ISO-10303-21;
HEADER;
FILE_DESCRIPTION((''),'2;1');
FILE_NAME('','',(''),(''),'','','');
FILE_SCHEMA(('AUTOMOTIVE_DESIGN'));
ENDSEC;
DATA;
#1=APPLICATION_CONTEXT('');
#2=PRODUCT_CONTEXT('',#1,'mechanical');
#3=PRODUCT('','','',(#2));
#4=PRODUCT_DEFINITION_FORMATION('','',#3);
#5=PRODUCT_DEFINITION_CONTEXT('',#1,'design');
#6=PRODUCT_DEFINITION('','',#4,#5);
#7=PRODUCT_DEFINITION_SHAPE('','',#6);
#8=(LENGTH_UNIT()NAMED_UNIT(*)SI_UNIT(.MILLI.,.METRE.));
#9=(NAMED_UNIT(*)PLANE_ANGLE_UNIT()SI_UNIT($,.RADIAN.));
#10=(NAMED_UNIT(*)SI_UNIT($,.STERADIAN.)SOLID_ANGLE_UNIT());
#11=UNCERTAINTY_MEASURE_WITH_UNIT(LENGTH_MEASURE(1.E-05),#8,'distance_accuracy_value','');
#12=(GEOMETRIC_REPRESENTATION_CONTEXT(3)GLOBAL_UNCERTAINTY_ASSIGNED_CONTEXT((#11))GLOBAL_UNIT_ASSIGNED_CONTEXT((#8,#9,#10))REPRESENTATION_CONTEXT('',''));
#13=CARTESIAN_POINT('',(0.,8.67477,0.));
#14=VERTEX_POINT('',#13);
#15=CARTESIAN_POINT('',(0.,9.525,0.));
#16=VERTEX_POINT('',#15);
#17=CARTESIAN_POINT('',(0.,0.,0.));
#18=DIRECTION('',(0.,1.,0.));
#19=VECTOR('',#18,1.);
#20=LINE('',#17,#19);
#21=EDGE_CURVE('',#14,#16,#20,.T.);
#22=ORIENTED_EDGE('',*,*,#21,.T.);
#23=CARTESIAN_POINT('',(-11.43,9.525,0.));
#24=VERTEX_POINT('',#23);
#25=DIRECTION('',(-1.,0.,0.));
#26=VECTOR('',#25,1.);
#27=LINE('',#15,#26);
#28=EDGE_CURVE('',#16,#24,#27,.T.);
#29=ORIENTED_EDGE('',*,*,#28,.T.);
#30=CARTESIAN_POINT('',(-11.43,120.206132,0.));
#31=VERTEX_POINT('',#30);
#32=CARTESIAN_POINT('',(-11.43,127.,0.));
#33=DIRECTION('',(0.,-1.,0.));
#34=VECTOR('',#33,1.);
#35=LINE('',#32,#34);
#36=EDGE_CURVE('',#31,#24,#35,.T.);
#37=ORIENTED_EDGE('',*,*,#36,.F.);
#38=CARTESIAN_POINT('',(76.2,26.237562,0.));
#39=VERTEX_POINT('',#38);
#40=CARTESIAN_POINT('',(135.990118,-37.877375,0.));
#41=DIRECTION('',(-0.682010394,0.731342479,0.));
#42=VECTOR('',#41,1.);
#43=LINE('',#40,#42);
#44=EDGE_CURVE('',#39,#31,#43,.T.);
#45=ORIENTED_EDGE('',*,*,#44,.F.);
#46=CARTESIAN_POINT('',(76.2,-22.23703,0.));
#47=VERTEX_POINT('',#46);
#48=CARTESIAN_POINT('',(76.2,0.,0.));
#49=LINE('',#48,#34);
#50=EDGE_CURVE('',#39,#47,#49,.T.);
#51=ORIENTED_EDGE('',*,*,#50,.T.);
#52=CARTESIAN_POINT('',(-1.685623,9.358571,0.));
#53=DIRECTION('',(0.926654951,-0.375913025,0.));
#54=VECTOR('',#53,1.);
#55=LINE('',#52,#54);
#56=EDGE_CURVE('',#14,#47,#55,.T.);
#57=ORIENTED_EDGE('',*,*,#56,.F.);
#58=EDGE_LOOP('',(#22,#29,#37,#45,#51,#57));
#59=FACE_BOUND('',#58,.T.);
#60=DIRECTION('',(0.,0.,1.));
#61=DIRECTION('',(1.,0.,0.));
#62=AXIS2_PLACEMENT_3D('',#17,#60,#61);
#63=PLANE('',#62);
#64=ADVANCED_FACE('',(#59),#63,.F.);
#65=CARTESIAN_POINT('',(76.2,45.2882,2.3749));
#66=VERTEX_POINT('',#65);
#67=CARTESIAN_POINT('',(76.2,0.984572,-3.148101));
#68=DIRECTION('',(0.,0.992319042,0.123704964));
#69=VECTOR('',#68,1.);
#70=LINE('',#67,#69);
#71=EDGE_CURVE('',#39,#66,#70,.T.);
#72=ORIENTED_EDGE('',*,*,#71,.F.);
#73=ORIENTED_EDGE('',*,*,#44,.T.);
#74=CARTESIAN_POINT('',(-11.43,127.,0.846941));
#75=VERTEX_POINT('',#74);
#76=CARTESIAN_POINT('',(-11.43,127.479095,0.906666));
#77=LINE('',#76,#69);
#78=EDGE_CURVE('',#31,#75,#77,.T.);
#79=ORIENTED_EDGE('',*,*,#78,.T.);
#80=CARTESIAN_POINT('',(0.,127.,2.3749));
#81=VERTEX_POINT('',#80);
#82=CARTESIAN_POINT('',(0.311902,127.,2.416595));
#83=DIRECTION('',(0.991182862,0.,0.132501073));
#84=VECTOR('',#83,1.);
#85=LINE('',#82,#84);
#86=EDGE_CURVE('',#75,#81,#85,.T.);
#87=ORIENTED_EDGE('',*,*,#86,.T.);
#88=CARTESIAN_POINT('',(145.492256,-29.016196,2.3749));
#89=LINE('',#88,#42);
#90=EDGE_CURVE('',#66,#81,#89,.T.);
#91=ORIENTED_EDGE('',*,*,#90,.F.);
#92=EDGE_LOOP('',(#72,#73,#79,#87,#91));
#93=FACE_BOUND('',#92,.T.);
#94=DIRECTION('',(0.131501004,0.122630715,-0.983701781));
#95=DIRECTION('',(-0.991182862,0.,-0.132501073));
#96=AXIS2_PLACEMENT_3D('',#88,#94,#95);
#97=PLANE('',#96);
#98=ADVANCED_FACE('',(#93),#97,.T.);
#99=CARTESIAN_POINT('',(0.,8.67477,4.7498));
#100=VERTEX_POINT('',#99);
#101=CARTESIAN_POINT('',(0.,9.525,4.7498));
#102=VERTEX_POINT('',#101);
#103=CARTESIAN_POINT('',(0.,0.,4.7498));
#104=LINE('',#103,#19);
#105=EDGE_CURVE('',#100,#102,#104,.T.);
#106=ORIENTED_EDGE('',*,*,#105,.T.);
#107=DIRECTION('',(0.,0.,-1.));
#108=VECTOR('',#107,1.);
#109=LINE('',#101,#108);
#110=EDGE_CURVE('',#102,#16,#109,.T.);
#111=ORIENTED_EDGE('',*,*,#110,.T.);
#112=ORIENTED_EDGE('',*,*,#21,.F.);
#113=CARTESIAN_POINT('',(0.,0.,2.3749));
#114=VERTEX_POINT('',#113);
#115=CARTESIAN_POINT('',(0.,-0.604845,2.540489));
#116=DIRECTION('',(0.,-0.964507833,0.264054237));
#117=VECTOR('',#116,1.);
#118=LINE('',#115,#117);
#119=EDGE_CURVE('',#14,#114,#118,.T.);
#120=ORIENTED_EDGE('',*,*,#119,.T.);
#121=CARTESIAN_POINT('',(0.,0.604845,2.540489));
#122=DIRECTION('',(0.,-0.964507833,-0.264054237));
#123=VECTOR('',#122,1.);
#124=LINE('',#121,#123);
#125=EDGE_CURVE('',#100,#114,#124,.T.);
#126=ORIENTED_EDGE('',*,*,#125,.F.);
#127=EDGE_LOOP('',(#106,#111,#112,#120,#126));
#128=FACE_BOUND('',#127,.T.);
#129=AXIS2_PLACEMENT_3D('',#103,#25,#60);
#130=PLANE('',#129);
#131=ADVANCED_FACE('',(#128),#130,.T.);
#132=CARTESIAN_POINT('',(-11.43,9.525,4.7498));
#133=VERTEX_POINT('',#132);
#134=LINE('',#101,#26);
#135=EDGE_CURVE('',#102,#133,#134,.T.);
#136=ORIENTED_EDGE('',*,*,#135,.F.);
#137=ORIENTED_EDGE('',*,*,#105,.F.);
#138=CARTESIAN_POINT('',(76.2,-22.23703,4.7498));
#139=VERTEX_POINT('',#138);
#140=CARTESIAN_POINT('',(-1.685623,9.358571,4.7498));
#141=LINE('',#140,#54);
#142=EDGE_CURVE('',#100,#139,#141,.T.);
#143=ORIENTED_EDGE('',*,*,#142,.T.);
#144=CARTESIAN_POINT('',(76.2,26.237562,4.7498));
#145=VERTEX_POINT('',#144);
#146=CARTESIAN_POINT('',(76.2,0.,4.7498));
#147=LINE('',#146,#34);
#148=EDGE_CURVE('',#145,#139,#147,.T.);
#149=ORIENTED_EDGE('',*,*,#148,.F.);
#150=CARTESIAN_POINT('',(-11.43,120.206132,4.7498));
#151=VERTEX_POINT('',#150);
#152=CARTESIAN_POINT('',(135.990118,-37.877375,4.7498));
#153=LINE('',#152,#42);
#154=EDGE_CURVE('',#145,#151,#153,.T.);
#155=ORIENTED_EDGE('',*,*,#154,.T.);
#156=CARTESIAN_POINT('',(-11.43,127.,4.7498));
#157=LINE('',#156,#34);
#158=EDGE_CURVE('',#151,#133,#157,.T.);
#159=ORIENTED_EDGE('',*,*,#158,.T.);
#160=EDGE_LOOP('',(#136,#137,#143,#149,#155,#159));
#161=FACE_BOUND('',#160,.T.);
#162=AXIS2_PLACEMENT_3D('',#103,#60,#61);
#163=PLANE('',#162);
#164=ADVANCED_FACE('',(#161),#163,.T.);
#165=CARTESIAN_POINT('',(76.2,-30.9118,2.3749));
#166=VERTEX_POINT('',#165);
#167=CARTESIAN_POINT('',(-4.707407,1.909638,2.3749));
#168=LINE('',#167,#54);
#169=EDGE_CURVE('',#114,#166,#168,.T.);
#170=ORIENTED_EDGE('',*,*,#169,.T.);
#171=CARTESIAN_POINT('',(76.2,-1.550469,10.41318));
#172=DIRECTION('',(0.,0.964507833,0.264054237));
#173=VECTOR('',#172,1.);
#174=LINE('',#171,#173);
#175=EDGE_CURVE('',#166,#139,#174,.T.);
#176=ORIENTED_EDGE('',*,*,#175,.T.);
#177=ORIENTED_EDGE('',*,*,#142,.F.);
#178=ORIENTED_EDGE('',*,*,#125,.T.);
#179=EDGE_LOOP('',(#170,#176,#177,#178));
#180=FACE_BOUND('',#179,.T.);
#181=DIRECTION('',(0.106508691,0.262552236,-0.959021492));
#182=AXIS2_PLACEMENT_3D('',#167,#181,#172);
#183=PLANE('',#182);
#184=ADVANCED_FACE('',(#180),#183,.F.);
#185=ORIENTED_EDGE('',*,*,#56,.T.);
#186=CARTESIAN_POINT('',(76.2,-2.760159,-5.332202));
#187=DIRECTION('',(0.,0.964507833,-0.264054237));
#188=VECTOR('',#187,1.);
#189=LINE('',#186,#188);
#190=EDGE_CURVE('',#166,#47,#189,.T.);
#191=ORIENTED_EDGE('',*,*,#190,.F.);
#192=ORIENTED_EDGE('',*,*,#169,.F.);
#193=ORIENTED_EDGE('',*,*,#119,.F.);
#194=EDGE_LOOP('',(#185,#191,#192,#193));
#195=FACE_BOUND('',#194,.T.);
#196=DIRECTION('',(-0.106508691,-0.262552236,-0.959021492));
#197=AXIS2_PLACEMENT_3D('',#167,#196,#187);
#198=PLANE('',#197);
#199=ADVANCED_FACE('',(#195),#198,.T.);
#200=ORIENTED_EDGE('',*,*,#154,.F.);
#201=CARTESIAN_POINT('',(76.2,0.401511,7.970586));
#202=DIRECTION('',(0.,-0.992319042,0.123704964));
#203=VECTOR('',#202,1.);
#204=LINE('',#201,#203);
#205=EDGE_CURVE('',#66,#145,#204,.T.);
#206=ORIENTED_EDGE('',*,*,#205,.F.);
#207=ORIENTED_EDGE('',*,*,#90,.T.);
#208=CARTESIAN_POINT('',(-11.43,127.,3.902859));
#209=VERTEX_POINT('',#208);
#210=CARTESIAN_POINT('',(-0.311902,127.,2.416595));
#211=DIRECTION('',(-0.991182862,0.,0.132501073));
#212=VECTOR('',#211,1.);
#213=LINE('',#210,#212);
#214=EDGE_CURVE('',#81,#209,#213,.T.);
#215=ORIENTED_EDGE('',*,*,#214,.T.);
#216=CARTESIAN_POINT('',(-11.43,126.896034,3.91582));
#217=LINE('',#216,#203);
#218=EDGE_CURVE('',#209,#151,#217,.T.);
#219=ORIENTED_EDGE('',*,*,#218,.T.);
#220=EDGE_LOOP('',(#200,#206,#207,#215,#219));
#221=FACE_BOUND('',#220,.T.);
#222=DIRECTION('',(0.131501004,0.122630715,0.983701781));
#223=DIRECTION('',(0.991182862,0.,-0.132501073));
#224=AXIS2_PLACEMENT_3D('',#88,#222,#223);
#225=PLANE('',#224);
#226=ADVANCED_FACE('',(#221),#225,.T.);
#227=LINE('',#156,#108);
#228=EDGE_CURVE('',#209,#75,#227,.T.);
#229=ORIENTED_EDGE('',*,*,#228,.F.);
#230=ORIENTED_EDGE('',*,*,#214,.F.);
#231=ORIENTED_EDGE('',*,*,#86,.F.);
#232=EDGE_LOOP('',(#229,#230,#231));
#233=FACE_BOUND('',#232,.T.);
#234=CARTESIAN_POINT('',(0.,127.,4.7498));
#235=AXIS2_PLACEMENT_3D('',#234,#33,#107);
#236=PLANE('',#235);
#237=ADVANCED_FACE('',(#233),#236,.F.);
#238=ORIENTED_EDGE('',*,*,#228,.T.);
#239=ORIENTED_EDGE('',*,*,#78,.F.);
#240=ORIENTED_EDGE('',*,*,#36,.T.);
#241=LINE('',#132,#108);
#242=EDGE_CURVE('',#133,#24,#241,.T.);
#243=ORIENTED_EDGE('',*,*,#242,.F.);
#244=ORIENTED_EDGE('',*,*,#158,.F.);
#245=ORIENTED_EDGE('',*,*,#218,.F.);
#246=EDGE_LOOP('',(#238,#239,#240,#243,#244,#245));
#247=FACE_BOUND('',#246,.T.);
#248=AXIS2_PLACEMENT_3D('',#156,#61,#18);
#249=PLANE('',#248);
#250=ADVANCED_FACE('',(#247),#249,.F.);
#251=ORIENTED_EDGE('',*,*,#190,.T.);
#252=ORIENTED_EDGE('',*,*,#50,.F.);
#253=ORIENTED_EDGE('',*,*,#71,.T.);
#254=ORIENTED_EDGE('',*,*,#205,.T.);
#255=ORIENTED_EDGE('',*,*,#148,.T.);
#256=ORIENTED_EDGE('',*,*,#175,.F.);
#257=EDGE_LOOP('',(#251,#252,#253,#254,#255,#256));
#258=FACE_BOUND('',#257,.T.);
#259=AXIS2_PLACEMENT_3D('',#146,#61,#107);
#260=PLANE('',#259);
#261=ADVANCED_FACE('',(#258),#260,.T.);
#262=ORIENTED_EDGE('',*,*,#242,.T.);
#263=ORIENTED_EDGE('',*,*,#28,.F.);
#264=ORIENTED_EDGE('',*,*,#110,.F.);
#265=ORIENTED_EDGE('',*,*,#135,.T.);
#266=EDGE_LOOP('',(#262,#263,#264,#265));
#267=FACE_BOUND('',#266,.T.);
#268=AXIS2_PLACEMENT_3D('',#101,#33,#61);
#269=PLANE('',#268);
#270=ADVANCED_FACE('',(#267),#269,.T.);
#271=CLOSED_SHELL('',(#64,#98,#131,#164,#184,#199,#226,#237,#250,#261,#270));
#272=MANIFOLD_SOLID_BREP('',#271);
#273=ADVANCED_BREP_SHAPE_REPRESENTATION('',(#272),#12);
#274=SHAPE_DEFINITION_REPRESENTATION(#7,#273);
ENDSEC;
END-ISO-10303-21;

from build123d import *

# Parameters (mm, degrees)
SKETCH2_W                = 11.43
SKETCH2_H                = 117.475
BOSS_EXTRUDE3_DEPTH      = 4.7498
CUT_EXTRUDE17_DEPTH      = 5.08
CUT_EXTRUDE17_DEPTH_BACK = 101.6
CUT_EXTRUDE18_DEPTH      = 101.6
CUT_EXTRUDE18_DEPTH_BACK = 127


with BuildPart() as part:
    # Sketch2 → Boss-Extrude3 (new body)
    with BuildSketch(Plane.XY):
        Polygon((76.2, -30.9118), (0, 0), (0, 127), (76.2, 45.2882), align=None)
        with Locations((-5.715, 68.2625)):
            Rectangle(SKETCH2_W, SKETCH2_H)
    extrude(amount=BOSS_EXTRUDE3_DEPTH)

    # Sketch8 → Cut-Extrude17 (cut, two sides: drawn at the far end of the back side and taken through both)
    with BuildSketch(Plane(origin=(0, 0, 0), x_dir=(0, 0, -1), z_dir=(-0.9266549506898317, 0.37591302499650847, 0)).offset(-CUT_EXTRUDE17_DEPTH_BACK)):
        Polygon((-2.3749, 0), (3e-09, -8.038518146), (0.750296228, -8.038518146), (0.750296228, 2.310233708), (-5.314343575, 2.310233708), (-5.314343575, -8.038518146), (-4.749800003, -8.038518146), align=None)
    extrude(amount=CUT_EXTRUDE17_DEPTH + CUT_EXTRUDE17_DEPTH_BACK, mode=Mode.SUBTRACT)

    # Sketch9 → Cut-Extrude18 (cut, two sides: drawn at the far end of the back side and taken through both)
    with BuildSketch(Plane(origin=(12.854537069, -13.784348584, 0), x_dir=(0, 0, -1), z_dir=(0.6820103942193665, -0.731342479401234, 0)).offset(-CUT_EXTRUDE18_DEPTH_BACK)):
        Polygon((-2.3749, 86.615320066), (0, 73.622586943), (0.872559858, 73.622586943), (0.872559858, 91.301528403), (-6.531219552, 91.301528403), (-6.531219552, 73.622586943), (-4.7498, 73.622586943), align=None)
    extrude(amount=CUT_EXTRUDE18_DEPTH + CUT_EXTRUDE18_DEPTH_BACK, mode=Mode.SUBTRACT)


solid = part.part
